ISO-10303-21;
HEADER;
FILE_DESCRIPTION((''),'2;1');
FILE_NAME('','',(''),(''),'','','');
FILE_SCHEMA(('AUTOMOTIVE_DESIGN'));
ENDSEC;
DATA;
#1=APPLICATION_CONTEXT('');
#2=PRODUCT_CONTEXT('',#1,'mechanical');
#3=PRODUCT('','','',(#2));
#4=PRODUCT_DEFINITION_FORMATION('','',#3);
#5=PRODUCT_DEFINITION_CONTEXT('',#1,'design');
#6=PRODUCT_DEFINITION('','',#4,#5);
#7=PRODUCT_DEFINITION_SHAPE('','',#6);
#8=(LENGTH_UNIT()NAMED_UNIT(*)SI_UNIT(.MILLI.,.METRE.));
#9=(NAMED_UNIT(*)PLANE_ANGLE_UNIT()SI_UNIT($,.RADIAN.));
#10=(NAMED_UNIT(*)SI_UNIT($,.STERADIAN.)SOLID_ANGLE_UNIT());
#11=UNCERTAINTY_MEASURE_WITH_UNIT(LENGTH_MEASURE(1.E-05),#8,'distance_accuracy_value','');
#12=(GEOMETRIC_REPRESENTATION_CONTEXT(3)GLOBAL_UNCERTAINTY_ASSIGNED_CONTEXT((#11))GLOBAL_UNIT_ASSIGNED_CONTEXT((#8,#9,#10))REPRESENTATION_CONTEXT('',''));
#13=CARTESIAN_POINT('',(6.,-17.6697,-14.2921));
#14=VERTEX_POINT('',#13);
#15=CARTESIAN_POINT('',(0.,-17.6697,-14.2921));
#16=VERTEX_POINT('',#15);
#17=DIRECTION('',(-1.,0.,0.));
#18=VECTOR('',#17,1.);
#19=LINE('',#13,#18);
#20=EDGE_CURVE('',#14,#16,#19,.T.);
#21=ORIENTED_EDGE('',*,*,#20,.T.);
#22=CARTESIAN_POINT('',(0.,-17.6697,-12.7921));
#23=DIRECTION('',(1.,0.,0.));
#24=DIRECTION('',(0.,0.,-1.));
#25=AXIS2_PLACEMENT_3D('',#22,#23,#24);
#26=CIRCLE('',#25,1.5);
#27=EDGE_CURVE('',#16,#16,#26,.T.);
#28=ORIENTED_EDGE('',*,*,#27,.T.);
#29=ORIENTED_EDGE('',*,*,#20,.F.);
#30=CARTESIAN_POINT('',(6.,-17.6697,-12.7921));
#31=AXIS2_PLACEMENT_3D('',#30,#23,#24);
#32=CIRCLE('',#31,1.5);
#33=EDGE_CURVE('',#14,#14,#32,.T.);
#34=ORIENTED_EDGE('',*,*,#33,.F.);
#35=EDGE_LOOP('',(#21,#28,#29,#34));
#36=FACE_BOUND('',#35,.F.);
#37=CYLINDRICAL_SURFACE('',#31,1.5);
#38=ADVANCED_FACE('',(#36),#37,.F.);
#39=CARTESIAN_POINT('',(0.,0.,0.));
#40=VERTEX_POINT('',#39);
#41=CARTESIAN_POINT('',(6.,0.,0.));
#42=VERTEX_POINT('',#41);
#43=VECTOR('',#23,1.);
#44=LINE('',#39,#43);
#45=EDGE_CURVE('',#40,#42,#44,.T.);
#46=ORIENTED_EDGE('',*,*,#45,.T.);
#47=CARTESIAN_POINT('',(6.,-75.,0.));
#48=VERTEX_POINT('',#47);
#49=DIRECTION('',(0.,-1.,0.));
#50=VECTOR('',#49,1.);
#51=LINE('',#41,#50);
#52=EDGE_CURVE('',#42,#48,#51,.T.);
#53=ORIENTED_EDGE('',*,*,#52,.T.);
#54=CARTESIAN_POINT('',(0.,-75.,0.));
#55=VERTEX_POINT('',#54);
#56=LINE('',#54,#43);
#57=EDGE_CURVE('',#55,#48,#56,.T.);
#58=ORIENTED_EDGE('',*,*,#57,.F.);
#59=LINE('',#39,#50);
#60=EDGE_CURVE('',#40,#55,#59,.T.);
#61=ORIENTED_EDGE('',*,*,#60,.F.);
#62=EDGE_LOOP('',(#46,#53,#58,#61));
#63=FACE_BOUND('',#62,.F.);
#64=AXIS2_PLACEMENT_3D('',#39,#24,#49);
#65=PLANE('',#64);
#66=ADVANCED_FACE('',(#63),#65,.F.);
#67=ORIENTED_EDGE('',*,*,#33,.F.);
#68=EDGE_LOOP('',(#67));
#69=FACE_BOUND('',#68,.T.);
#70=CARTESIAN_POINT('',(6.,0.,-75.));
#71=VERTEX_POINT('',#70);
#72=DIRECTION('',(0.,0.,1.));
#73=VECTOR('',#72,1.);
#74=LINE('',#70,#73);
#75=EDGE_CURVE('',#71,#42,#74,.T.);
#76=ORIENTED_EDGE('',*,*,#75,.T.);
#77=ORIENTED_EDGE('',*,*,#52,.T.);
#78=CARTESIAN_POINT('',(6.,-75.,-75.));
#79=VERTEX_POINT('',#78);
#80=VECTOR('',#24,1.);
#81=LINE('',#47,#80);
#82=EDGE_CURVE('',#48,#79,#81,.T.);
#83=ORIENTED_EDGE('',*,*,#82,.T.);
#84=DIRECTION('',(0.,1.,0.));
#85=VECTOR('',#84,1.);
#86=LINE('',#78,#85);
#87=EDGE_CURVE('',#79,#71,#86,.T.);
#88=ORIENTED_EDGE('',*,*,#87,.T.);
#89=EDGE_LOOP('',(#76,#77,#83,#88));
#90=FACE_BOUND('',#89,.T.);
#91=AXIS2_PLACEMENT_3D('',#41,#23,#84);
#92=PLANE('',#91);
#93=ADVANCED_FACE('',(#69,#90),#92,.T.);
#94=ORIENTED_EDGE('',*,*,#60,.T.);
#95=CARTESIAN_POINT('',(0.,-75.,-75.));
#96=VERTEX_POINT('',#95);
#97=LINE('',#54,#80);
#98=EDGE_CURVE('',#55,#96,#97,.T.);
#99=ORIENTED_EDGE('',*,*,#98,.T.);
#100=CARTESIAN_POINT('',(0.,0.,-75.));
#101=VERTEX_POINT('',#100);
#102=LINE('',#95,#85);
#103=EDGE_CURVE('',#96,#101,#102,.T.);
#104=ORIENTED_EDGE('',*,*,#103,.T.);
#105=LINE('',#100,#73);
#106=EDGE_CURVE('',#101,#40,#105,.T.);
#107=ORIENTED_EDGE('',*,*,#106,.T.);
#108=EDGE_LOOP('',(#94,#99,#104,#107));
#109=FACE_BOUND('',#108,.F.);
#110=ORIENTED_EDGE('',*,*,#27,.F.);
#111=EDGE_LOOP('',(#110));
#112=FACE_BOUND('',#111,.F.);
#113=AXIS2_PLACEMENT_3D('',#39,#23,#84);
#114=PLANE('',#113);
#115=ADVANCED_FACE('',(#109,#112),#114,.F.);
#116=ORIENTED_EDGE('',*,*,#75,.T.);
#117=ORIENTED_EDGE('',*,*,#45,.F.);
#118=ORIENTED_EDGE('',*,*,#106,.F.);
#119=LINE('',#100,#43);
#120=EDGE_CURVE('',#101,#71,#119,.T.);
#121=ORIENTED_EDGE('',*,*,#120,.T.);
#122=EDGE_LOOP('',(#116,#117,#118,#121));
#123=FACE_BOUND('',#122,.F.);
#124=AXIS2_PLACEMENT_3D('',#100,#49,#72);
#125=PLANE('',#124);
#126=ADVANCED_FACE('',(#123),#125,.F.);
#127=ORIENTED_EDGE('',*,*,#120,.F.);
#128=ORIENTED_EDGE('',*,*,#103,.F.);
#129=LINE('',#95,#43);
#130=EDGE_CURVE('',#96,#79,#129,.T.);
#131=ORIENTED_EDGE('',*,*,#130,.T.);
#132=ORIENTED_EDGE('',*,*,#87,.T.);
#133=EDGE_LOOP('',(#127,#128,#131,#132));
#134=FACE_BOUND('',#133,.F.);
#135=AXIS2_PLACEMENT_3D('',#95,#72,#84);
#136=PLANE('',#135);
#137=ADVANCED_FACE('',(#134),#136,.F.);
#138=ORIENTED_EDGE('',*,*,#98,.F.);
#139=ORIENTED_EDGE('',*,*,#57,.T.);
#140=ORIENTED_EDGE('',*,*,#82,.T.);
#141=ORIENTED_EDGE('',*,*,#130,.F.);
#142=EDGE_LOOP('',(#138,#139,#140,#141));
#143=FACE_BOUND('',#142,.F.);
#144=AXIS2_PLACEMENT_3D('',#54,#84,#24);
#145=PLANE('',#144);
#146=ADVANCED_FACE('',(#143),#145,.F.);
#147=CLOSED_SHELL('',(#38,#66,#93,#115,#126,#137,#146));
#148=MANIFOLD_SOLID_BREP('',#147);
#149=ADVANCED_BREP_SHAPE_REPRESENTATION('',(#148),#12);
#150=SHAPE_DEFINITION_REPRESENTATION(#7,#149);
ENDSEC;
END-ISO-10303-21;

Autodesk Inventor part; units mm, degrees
ref_plane "YZ Plane" through (0, 0, 0) normal (1, 0, 0) x (0, 1, 0)
ref_plane "XZ Plane" through (0, 0, 0) normal (0, 1, 0) x (-1, 0, 0)
ref_plane "XY Plane" through (0, 0, 0) normal (0, 0, 1) x (1, 0, 0)
sketch "Sketch3" plane through (0, 0, 0) normal (1, 0, 0) x (0, 1, 0)
  line L0 (0, 0) -> (-75, 0)
  line L1 (-75, 0) -> (-75, -75)
  line L2 (-75, -75) -> (0, -75)
  line L3 (0, -75) -> (0, 0)
  dimension "d0" = 75
  dimension "d1" = 75
extrude "Extrusion1" add sketch "Sketch3" along normal blind 6
sketch "Sketch5" plane through (6, 0, 0) normal (1, 0, 0) x (0, 0, -1)
  circle A0 centre (12.7921, -17.6697) radius 1.5
  point P0 (0, 0)
  dimension "d27" = 3
extrude "Extrusion3" cut sketch "Sketch5" against normal blind 8.2875
equation "\"d0\" = d1"
properties part number "Reflector"
